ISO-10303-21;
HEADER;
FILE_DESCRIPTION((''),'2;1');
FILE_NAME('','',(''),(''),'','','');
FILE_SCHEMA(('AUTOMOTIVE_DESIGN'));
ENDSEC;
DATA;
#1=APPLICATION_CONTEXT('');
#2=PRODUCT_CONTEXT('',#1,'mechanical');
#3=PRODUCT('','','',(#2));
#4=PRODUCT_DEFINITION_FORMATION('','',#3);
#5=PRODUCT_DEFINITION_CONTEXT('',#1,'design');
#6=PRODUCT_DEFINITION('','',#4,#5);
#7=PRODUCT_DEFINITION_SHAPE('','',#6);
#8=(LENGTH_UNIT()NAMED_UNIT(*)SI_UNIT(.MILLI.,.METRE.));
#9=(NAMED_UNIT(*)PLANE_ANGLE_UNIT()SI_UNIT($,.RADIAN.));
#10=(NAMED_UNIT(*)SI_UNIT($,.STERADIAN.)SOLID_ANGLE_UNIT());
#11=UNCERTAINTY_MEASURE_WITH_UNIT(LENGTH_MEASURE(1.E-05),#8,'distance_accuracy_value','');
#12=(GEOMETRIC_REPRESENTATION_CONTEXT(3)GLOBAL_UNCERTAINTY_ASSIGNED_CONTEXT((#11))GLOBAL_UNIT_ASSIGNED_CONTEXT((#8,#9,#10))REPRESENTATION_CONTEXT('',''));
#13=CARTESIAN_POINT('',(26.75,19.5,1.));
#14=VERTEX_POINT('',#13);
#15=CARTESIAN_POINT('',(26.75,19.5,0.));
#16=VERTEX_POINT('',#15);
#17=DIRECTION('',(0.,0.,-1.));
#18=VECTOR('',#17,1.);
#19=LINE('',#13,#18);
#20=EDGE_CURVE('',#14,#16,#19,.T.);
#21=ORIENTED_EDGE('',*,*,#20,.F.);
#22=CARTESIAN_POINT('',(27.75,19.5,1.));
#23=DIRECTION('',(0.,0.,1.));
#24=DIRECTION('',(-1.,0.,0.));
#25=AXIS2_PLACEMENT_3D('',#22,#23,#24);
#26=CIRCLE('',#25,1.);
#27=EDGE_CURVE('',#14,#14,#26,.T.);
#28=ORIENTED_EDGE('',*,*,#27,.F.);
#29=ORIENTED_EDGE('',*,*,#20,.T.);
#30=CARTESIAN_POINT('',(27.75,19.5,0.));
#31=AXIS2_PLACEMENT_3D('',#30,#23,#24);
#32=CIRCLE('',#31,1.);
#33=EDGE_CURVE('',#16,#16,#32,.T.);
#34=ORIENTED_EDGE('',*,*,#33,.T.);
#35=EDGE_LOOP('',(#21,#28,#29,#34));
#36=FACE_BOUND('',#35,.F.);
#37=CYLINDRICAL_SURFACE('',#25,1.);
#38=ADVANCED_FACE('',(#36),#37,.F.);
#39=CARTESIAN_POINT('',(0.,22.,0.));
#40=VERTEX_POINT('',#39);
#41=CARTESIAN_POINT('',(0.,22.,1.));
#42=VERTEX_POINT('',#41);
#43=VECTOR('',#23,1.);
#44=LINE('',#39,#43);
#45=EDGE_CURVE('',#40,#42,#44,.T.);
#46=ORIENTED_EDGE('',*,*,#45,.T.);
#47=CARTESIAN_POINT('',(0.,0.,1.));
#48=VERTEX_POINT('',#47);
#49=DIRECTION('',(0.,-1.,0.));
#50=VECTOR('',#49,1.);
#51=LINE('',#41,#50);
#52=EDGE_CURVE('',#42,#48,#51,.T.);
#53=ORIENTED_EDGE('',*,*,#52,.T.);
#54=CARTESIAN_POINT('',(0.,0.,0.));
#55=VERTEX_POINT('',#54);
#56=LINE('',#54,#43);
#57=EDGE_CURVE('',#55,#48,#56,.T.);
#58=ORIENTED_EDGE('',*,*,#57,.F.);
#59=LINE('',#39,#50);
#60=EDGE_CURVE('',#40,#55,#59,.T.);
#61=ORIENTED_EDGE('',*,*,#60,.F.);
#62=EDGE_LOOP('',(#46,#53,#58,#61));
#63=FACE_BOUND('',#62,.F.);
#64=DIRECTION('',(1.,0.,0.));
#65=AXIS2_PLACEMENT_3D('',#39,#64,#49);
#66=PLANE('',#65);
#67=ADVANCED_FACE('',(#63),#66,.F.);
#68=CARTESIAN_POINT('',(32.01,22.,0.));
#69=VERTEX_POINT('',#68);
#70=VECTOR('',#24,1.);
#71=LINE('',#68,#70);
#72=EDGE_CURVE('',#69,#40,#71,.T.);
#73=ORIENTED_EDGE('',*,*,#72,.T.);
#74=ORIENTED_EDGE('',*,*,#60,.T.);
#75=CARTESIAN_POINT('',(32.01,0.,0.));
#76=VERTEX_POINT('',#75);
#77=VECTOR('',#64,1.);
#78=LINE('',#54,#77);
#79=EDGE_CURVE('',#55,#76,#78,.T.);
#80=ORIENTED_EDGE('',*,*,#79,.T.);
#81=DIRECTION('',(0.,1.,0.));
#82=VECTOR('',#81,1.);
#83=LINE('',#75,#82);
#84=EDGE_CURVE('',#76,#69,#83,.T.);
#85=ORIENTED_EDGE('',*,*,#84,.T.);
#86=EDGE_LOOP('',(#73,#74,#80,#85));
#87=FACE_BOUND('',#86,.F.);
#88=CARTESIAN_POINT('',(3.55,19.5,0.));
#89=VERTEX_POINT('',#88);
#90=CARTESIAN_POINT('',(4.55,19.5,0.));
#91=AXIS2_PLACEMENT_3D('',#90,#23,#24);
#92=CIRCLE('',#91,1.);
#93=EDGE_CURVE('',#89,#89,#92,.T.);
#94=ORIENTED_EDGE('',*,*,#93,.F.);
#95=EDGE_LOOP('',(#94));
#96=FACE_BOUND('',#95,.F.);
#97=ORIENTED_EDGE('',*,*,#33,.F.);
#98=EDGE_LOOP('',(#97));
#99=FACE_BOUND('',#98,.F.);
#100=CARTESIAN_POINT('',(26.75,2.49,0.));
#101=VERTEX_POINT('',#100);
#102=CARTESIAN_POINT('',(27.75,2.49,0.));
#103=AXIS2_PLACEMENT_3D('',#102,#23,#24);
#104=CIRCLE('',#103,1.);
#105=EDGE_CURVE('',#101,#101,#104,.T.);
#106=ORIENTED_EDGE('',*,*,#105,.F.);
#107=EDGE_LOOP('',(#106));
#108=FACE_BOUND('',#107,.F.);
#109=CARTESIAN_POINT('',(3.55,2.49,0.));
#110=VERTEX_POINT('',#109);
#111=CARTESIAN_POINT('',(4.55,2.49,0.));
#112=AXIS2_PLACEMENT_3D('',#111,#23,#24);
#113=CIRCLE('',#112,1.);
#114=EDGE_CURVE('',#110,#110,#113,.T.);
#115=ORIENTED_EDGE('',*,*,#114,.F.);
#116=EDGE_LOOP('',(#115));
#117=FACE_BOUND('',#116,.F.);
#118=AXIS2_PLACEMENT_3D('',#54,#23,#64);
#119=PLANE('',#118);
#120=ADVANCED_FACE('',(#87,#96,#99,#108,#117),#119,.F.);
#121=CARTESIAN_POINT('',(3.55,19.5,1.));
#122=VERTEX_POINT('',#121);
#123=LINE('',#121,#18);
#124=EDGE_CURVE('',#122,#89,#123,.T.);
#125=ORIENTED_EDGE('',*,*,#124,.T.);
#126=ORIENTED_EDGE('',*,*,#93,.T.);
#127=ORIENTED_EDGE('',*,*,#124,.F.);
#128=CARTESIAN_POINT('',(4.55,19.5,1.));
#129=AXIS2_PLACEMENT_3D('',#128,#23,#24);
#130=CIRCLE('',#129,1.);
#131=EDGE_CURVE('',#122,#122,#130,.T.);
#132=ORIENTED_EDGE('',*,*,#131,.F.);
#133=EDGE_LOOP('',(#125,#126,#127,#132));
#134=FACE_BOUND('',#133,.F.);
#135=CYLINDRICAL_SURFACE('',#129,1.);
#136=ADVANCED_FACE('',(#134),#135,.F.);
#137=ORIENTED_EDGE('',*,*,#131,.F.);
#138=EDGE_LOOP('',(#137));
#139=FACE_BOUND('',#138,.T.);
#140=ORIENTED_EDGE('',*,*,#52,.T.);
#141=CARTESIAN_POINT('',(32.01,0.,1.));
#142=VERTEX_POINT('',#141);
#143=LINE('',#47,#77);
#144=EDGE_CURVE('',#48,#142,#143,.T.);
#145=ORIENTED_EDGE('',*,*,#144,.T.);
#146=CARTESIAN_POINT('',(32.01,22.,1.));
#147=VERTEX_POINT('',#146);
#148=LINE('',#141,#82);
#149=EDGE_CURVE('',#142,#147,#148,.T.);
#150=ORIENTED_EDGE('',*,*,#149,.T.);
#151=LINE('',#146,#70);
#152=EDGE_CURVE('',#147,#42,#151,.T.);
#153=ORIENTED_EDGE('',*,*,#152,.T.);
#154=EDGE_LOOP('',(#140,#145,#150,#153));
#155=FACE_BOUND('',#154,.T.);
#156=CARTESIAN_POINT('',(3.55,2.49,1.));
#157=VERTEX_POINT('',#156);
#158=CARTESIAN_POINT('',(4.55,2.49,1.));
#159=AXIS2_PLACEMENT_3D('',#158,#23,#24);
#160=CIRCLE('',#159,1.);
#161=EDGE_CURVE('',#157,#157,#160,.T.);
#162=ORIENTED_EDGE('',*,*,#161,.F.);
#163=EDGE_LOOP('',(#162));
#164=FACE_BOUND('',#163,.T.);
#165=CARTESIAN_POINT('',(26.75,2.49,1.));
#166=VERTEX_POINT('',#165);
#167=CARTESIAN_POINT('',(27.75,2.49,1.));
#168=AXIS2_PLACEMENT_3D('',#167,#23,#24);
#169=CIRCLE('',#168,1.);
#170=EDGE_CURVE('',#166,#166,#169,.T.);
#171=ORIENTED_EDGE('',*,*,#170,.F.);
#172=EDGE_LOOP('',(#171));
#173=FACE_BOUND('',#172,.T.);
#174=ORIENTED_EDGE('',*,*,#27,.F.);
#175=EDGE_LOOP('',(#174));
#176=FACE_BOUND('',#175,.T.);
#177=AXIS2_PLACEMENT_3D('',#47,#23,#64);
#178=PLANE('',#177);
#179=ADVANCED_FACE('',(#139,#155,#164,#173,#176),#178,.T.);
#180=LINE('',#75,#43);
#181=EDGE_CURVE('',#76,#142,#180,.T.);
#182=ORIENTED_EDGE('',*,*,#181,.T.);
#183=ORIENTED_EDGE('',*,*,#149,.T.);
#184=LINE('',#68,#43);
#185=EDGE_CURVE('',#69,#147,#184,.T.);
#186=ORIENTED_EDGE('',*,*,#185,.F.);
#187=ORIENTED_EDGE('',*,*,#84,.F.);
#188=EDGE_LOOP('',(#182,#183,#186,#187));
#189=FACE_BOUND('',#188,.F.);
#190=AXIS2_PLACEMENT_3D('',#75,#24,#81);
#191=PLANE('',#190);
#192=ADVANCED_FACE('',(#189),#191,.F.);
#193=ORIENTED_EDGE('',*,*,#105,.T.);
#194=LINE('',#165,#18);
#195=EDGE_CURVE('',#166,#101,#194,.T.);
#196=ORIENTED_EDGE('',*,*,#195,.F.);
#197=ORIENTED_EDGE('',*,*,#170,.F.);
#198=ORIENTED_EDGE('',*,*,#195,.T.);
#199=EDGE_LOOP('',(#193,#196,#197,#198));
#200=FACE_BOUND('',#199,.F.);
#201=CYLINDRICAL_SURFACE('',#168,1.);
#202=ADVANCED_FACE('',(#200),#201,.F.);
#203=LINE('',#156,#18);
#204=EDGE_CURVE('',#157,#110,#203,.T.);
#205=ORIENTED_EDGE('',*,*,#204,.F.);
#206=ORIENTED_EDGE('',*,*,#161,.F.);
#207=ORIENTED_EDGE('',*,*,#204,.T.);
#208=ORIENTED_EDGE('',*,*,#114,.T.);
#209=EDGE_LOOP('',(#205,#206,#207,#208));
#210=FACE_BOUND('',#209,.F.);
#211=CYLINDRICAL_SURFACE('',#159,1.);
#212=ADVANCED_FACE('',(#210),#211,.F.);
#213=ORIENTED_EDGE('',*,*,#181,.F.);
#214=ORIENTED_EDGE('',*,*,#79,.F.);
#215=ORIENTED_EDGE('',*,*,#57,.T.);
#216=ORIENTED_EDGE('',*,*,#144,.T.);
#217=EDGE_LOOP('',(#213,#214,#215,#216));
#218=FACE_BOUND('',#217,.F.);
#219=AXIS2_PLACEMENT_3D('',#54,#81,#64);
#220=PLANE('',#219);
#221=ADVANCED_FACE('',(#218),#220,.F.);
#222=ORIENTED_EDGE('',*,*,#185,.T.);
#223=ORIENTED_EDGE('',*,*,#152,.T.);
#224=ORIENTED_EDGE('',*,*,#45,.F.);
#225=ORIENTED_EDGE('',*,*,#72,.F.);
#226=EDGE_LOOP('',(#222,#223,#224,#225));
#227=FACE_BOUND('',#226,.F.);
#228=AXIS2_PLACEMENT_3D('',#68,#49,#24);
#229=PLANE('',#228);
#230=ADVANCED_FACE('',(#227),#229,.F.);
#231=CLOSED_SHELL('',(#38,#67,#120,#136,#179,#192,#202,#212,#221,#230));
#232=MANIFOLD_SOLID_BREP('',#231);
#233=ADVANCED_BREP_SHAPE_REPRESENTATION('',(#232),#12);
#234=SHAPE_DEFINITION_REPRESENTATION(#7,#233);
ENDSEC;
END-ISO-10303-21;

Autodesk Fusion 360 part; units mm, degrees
sketch "Sketch1" plane through (0, 0, 0) normal (0, 0, 1) x (1, 0, 0)
  line L0 (0, 0) -> (32.01, 0)
  line L1 (32.01, 0) -> (32.01, 22)
  line L2 (32.01, 22) -> (0, 22)
  line L3 (0, 22) -> (0, 0)
  dimension "d1" = 32.01
  dimension "d2" = 22
extrude "Extrude1" add sketch "Sketch1" along normal blind 1
sketch "Sketch3" plane through (0, 0, 1) normal (0, 0, 1) x (-1, 0, 0)
  line L0 (0, -22) -> (0, 0)
  line L1 (0, 0) -> (-32.01, 0)
  line L2 (-32.01, 0) -> (-32.01, -22)
  line L3 (-32.01, -22) -> (0, -22)
  circle A0 centre (-4.55, -19.5) radius 1
  circle A1 centre (-27.75, -19.5) radius 1
  circle A2 centre (-4.55, -2.49) radius 1
  circle A3 centre (-27.75, -2.49) radius 1
  dimension "d5" = 2
  dimension "d6" = 2.5
  dimension "d7" = 4.55
  dimension "d10" = -23.2
  dimension "d11" = 17.01
extrude "Extrude2" cut sketch "Sketch3" against normal blind 1 contours A0 | A1 | A2 | A3
